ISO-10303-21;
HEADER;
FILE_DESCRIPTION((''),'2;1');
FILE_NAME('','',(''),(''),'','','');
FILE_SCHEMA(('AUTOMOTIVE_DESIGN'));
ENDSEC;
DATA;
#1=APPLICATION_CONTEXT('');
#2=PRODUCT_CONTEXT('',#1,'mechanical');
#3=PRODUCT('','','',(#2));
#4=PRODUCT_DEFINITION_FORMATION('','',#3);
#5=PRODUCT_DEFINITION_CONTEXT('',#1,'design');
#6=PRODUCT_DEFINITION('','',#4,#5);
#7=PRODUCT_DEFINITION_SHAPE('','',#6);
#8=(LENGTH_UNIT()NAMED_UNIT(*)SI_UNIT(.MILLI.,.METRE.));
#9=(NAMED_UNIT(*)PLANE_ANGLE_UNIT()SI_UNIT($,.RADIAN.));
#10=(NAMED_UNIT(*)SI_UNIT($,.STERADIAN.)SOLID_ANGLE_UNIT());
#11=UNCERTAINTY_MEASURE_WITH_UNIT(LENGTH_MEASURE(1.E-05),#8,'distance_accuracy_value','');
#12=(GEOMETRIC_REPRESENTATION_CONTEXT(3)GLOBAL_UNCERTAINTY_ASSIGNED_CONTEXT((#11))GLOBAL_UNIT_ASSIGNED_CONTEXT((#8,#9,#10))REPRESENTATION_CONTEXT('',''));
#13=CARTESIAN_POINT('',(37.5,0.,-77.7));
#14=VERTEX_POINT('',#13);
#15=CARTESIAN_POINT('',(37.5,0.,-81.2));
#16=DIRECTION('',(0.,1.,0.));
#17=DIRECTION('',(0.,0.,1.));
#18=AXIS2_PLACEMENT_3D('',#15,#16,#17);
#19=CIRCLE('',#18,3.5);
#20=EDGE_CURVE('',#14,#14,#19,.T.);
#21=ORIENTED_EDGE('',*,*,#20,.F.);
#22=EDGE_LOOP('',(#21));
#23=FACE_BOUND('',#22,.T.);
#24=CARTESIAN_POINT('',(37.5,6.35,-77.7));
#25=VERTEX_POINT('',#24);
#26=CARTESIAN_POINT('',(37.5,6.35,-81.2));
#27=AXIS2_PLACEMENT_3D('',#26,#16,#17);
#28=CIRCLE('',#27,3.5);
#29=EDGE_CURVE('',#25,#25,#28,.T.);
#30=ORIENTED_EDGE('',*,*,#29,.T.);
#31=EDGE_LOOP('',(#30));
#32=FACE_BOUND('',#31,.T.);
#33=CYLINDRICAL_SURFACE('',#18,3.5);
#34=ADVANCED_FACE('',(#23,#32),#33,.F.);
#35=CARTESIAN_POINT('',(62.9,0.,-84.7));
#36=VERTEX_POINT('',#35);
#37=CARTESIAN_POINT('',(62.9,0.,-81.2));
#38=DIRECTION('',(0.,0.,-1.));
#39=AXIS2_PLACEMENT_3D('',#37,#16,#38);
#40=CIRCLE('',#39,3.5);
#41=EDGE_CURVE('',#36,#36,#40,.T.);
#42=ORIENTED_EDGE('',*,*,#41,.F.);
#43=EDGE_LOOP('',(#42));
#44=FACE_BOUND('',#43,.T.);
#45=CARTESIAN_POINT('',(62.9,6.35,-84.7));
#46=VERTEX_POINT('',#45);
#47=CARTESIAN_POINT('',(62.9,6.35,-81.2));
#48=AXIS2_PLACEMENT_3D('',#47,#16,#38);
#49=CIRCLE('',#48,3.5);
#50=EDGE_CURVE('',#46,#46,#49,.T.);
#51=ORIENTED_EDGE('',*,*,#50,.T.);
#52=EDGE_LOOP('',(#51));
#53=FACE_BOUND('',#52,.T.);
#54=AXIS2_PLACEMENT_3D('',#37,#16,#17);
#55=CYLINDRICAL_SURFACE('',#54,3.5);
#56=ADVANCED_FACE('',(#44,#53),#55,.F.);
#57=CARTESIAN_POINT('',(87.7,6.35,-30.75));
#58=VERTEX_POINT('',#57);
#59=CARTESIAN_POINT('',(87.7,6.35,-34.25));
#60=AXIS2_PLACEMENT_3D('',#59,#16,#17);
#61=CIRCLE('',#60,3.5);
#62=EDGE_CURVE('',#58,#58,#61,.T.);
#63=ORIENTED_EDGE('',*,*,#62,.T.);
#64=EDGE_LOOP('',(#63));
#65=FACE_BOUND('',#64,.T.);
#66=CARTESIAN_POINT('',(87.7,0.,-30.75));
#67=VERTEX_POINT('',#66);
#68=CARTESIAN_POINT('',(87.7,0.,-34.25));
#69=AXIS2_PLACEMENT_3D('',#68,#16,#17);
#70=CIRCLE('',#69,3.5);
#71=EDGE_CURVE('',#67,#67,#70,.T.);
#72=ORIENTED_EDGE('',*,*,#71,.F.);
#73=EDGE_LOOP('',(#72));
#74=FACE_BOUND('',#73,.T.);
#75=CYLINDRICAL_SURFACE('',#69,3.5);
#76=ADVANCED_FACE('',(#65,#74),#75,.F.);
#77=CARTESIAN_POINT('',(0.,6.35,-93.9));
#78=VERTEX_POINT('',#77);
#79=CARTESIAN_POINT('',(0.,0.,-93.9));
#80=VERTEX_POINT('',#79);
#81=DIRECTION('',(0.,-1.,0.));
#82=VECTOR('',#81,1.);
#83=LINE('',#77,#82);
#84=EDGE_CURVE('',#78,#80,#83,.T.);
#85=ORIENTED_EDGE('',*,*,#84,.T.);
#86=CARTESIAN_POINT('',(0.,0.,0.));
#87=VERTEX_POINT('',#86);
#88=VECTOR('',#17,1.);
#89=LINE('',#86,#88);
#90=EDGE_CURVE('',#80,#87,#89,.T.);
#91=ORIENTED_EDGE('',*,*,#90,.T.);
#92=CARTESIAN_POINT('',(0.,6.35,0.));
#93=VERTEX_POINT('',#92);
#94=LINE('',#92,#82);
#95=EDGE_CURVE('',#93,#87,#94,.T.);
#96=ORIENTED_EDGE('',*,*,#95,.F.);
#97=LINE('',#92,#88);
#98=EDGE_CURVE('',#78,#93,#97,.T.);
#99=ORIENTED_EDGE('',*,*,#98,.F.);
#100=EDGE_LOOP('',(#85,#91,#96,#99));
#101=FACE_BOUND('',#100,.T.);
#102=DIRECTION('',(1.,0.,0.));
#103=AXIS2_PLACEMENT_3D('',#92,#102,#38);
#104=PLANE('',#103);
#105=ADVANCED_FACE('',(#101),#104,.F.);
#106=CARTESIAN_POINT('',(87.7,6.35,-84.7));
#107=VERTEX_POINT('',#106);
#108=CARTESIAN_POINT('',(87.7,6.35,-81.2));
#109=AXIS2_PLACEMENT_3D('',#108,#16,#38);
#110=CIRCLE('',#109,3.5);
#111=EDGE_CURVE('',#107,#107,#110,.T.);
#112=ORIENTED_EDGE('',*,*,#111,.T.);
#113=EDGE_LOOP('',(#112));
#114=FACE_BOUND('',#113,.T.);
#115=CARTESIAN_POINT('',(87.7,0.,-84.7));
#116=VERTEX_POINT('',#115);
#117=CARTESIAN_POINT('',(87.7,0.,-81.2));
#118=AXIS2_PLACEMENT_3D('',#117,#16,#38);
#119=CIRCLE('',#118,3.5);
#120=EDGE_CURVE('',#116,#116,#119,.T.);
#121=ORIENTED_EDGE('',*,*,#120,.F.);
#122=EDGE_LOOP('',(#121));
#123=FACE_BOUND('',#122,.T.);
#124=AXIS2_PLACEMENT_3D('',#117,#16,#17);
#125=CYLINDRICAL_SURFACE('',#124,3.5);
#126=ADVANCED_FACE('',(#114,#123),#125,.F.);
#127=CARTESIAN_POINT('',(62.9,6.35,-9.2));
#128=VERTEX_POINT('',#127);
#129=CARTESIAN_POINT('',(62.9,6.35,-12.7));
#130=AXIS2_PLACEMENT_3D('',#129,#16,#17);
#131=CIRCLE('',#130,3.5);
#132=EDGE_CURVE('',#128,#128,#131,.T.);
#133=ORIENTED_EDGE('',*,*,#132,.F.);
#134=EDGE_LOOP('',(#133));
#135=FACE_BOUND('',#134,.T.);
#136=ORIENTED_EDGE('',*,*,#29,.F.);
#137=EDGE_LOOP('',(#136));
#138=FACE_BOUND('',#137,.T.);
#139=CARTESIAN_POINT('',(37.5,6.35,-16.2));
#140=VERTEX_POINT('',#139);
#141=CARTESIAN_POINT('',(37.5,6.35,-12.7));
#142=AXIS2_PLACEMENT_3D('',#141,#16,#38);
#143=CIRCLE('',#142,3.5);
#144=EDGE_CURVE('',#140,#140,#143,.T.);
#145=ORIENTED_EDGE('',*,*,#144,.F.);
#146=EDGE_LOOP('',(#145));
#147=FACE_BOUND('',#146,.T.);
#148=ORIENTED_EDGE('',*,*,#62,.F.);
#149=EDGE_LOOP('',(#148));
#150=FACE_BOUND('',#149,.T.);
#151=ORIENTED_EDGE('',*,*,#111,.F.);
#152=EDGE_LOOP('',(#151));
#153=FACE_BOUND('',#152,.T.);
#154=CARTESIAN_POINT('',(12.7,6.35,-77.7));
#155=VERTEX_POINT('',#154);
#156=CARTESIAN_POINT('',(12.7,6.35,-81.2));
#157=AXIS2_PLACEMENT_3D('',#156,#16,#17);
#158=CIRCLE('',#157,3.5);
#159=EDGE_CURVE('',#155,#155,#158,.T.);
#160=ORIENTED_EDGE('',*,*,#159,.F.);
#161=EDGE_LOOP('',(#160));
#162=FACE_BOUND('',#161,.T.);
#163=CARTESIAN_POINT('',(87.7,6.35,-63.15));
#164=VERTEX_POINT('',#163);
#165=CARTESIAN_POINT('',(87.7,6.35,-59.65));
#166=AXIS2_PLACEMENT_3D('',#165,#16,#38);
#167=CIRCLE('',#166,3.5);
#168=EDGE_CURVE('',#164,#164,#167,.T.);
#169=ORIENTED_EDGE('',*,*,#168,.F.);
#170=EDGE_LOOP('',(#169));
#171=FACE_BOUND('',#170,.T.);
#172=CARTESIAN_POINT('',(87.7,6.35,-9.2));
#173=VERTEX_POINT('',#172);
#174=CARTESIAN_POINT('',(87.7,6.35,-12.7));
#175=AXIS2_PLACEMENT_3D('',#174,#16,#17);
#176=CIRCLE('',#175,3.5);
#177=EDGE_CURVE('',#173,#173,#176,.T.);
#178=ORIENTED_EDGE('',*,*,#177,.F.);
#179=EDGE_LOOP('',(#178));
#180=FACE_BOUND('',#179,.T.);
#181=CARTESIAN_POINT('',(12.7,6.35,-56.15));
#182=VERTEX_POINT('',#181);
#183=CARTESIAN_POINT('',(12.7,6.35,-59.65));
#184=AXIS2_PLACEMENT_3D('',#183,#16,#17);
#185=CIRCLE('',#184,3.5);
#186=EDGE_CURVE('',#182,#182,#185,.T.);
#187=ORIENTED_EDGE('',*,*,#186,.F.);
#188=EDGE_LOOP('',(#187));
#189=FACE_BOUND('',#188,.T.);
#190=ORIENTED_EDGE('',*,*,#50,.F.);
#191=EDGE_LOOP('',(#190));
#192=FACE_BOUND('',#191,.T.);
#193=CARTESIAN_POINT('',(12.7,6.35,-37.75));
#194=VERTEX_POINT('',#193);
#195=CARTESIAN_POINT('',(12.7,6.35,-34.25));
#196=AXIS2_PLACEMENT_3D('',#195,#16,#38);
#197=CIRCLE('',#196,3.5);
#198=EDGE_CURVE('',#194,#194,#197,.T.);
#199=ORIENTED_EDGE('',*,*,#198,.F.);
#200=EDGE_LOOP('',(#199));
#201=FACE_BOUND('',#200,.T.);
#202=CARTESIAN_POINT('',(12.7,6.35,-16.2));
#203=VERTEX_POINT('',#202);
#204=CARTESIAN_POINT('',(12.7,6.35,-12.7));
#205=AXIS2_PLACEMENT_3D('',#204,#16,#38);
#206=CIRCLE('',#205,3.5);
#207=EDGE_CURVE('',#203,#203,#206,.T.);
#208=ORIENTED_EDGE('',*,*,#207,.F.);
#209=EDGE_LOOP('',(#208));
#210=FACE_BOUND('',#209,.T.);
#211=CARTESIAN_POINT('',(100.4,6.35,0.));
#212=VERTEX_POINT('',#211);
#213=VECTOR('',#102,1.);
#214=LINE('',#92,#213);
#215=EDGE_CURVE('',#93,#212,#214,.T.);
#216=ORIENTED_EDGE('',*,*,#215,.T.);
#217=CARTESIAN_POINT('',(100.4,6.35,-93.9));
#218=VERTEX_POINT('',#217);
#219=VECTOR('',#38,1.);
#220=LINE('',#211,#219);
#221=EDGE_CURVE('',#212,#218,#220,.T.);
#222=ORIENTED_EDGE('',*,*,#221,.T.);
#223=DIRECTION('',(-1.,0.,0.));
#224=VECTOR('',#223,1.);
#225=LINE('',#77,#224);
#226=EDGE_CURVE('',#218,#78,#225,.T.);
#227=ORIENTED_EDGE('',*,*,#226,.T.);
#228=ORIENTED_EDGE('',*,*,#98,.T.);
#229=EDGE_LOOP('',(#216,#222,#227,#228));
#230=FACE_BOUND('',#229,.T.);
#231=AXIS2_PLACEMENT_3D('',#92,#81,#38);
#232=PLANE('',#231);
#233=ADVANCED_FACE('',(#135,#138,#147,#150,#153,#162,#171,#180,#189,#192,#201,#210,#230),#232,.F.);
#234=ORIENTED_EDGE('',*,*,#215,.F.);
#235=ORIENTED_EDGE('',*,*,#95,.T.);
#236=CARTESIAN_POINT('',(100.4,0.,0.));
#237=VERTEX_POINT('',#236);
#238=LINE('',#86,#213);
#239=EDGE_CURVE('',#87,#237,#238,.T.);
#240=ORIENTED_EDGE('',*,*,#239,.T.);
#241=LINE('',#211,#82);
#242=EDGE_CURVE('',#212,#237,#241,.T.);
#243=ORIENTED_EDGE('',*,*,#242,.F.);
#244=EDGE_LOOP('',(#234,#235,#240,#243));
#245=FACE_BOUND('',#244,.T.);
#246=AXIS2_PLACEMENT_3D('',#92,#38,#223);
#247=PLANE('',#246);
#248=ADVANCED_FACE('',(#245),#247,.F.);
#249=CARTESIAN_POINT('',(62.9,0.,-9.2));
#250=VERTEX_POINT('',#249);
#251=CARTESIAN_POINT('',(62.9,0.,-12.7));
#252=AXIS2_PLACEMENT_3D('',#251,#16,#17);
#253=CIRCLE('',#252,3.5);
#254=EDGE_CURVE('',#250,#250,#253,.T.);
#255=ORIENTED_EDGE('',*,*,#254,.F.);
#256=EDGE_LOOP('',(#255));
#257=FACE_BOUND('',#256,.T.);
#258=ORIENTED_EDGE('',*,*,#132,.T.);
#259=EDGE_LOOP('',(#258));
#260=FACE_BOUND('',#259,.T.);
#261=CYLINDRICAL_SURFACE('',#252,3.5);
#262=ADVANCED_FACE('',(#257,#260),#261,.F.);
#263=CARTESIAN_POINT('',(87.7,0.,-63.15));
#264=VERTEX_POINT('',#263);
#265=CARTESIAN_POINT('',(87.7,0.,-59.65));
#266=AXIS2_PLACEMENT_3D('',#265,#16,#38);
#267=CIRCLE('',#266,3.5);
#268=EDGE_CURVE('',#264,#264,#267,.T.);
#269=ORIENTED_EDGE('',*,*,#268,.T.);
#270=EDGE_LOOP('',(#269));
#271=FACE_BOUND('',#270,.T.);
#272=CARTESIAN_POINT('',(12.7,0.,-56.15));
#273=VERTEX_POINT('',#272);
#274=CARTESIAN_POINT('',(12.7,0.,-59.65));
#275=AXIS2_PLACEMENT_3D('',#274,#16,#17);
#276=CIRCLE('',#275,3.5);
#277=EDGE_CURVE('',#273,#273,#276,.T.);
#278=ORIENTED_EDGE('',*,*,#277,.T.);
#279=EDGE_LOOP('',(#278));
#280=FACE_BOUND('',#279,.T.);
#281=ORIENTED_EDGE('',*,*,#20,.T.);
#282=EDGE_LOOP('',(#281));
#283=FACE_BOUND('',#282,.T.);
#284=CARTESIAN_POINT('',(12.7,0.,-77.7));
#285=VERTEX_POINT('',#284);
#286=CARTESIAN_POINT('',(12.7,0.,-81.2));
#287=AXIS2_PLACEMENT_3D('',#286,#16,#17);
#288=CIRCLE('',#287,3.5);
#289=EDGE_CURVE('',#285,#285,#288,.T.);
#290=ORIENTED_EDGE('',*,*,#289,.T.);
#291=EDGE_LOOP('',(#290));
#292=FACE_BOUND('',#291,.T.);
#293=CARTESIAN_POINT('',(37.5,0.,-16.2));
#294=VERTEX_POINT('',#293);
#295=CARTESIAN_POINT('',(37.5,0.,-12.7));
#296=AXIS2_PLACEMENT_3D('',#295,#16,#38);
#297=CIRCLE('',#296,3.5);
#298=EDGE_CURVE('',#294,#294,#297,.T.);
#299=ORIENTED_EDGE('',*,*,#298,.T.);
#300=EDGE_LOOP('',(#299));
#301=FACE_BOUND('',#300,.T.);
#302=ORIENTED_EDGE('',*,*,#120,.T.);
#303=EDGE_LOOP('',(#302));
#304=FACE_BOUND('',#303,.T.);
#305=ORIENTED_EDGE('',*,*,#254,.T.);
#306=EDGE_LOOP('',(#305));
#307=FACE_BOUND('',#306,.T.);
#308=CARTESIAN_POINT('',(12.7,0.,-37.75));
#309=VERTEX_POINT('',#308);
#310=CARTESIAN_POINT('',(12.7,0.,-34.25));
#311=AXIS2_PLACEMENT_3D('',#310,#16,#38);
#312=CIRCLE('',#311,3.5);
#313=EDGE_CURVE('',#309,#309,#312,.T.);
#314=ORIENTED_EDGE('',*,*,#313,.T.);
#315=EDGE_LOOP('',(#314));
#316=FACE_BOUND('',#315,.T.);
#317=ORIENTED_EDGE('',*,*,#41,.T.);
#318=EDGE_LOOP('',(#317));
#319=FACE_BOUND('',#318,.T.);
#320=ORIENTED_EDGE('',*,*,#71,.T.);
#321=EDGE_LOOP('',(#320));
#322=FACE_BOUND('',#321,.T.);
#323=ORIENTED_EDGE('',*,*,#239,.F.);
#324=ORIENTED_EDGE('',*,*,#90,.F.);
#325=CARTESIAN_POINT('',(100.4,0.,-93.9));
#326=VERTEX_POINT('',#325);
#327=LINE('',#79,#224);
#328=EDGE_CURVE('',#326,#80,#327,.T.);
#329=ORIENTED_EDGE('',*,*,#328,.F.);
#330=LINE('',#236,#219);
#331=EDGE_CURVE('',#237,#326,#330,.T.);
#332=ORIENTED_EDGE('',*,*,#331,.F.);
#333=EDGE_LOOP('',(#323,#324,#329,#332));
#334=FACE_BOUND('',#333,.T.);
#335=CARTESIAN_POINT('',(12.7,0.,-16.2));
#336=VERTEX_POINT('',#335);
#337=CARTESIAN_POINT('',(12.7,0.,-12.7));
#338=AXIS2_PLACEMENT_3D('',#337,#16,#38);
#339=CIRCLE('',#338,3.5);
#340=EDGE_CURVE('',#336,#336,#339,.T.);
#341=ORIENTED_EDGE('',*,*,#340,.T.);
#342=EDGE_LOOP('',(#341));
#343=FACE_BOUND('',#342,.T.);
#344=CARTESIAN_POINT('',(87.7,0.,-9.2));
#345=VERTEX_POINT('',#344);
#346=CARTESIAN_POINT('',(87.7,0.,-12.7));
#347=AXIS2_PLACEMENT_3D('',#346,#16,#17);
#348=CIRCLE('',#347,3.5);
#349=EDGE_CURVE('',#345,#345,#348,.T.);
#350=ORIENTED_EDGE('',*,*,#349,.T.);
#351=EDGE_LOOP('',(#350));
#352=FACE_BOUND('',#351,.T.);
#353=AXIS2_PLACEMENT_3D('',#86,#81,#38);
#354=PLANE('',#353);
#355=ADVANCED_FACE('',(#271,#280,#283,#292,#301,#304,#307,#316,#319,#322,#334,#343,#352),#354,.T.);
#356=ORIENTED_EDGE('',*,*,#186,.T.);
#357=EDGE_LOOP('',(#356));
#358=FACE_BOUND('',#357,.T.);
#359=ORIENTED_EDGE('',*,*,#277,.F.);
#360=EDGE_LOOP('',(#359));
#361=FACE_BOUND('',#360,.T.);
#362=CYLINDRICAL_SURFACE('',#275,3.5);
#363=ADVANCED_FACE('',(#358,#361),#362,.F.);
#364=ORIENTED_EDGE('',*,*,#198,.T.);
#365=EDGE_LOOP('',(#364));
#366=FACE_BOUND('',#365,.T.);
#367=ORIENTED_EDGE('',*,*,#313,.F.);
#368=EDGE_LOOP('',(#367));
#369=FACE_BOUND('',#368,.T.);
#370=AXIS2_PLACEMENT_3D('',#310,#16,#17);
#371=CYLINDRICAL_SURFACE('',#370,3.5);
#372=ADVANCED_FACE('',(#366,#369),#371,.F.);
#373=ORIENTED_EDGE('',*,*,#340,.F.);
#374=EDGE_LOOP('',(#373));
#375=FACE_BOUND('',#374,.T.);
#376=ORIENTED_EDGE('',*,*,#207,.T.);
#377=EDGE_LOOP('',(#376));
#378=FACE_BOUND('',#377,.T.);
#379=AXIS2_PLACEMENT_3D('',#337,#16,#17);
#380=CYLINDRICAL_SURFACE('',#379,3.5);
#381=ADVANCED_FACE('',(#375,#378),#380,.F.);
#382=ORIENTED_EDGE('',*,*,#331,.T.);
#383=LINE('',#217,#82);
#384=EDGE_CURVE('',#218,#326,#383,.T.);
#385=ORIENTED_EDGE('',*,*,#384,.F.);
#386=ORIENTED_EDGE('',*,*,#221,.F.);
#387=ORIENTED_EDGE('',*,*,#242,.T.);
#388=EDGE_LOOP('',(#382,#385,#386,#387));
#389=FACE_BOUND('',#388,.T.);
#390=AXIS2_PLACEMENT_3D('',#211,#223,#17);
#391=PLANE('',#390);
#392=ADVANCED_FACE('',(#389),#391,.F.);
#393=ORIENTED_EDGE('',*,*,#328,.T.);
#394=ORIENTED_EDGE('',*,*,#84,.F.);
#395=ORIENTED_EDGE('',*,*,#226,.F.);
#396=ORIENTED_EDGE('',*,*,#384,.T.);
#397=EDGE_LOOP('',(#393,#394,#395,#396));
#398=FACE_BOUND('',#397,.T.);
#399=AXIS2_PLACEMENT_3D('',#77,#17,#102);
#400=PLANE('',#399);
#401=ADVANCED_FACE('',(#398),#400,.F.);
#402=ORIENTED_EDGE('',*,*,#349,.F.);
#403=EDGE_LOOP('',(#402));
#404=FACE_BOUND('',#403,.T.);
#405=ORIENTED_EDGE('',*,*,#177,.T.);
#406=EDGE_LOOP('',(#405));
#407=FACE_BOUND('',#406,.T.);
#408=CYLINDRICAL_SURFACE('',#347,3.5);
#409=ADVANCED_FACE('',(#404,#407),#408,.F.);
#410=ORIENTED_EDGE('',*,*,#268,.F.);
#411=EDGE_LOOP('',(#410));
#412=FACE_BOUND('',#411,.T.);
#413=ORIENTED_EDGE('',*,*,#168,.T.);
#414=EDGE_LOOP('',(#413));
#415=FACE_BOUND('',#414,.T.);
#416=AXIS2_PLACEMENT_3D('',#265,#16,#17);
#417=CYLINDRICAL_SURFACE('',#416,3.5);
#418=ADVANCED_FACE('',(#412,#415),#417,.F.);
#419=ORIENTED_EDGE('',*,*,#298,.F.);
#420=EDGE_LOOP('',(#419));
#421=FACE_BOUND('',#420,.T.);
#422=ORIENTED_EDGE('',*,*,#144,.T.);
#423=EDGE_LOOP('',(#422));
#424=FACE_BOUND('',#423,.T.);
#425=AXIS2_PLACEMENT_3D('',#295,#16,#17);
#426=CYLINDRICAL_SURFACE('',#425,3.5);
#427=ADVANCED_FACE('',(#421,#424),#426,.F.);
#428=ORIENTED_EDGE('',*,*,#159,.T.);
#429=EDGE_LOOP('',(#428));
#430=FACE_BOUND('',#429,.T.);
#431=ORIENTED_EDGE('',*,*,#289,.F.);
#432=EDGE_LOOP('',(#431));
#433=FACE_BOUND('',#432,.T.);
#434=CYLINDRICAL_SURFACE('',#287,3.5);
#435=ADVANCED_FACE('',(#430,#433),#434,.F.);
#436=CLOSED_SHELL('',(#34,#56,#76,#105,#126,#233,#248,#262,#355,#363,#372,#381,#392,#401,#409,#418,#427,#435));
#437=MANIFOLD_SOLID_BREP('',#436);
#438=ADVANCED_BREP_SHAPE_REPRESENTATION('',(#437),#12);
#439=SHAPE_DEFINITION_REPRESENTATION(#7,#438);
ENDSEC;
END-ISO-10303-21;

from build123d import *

# Parameters (mm, degrees)
SKETCH1_W           = 100.4
SKETCH1_H           = 93.9
BOSS_EXTRUDE1_DEPTH = 6.35
SKETCH2_R           = 3.5
CUT_EXTRUDE1_DEPTH  = 6.35
SKETCH4_R           = 3.5
CUT_EXTRUDE2_DEPTH  = 6.35


with BuildPart() as part:
    # Sketch1 → Boss-Extrude1 (new body)
    with BuildSketch(Plane(origin=(0, 0, 0), x_dir=(1, 0, 0), z_dir=(0, 1, 0))):
        with Locations((50.2, 46.95)):
            Rectangle(SKETCH1_W, SKETCH1_H)
    extrude(amount=BOSS_EXTRUDE1_DEPTH)

    # Sketch2 → Cut-Extrude1 (cut)
    with BuildSketch(Plane(origin=(0, 6.35, 0), x_dir=(1, 0, 0), z_dir=(0, 1, 0))):
        with Locations(Location((12.7, 81.2, 0), (0, 0, 270))):
            Circle(SKETCH2_R)
        with Locations(Location((12.7, 12.7, 0), (0, 0, 90))):
            Circle(SKETCH2_R)
        with Locations(Location((87.7, 12.7, 0), (0, 0, 270))):
            Circle(SKETCH2_R)
        with Locations(Location((87.7, 81.2, 0), (0, 0, 90))):
            Circle(SKETCH2_R)
    extrude(amount=-CUT_EXTRUDE1_DEPTH, mode=Mode.SUBTRACT)

    # Sketch4 → Cut-Extrude2 (cut)
    with BuildSketch(Plane(origin=(0, 6.35, 0), x_dir=(1, 0, 0), z_dir=(0, 1, 0))):
        with Locations(Location((12.7, 59.65, 0), (0, 0, 270))):
            Circle(SKETCH4_R)
        with Locations(Location((12.7, 34.25, 0), (0, 0, 90))):
            Circle(SKETCH4_R)
        with Locations(Location((87.7, 34.25, 0), (0, 0, 270))):
            Circle(SKETCH4_R)
        with Locations(Location((87.7, 59.65, 0), (0, 0, 90))):
            Circle(SKETCH4_R)
        with Locations(Location((37.5, 81.2, 0), (0, 0, 270))):
            Circle(SKETCH4_R)
        with Locations(Location((62.9, 81.2, 0), (0, 0, 90))):
            Circle(SKETCH4_R)
        with Locations(Location((62.9, 12.7, 0), (0, 0, 270))):
            Circle(SKETCH4_R)
        with Locations(Location((37.5, 12.7, 0), (0, 0, 90))):
            Circle(SKETCH4_R)
    extrude(amount=-CUT_EXTRUDE2_DEPTH, mode=Mode.SUBTRACT)


solid = part.part
